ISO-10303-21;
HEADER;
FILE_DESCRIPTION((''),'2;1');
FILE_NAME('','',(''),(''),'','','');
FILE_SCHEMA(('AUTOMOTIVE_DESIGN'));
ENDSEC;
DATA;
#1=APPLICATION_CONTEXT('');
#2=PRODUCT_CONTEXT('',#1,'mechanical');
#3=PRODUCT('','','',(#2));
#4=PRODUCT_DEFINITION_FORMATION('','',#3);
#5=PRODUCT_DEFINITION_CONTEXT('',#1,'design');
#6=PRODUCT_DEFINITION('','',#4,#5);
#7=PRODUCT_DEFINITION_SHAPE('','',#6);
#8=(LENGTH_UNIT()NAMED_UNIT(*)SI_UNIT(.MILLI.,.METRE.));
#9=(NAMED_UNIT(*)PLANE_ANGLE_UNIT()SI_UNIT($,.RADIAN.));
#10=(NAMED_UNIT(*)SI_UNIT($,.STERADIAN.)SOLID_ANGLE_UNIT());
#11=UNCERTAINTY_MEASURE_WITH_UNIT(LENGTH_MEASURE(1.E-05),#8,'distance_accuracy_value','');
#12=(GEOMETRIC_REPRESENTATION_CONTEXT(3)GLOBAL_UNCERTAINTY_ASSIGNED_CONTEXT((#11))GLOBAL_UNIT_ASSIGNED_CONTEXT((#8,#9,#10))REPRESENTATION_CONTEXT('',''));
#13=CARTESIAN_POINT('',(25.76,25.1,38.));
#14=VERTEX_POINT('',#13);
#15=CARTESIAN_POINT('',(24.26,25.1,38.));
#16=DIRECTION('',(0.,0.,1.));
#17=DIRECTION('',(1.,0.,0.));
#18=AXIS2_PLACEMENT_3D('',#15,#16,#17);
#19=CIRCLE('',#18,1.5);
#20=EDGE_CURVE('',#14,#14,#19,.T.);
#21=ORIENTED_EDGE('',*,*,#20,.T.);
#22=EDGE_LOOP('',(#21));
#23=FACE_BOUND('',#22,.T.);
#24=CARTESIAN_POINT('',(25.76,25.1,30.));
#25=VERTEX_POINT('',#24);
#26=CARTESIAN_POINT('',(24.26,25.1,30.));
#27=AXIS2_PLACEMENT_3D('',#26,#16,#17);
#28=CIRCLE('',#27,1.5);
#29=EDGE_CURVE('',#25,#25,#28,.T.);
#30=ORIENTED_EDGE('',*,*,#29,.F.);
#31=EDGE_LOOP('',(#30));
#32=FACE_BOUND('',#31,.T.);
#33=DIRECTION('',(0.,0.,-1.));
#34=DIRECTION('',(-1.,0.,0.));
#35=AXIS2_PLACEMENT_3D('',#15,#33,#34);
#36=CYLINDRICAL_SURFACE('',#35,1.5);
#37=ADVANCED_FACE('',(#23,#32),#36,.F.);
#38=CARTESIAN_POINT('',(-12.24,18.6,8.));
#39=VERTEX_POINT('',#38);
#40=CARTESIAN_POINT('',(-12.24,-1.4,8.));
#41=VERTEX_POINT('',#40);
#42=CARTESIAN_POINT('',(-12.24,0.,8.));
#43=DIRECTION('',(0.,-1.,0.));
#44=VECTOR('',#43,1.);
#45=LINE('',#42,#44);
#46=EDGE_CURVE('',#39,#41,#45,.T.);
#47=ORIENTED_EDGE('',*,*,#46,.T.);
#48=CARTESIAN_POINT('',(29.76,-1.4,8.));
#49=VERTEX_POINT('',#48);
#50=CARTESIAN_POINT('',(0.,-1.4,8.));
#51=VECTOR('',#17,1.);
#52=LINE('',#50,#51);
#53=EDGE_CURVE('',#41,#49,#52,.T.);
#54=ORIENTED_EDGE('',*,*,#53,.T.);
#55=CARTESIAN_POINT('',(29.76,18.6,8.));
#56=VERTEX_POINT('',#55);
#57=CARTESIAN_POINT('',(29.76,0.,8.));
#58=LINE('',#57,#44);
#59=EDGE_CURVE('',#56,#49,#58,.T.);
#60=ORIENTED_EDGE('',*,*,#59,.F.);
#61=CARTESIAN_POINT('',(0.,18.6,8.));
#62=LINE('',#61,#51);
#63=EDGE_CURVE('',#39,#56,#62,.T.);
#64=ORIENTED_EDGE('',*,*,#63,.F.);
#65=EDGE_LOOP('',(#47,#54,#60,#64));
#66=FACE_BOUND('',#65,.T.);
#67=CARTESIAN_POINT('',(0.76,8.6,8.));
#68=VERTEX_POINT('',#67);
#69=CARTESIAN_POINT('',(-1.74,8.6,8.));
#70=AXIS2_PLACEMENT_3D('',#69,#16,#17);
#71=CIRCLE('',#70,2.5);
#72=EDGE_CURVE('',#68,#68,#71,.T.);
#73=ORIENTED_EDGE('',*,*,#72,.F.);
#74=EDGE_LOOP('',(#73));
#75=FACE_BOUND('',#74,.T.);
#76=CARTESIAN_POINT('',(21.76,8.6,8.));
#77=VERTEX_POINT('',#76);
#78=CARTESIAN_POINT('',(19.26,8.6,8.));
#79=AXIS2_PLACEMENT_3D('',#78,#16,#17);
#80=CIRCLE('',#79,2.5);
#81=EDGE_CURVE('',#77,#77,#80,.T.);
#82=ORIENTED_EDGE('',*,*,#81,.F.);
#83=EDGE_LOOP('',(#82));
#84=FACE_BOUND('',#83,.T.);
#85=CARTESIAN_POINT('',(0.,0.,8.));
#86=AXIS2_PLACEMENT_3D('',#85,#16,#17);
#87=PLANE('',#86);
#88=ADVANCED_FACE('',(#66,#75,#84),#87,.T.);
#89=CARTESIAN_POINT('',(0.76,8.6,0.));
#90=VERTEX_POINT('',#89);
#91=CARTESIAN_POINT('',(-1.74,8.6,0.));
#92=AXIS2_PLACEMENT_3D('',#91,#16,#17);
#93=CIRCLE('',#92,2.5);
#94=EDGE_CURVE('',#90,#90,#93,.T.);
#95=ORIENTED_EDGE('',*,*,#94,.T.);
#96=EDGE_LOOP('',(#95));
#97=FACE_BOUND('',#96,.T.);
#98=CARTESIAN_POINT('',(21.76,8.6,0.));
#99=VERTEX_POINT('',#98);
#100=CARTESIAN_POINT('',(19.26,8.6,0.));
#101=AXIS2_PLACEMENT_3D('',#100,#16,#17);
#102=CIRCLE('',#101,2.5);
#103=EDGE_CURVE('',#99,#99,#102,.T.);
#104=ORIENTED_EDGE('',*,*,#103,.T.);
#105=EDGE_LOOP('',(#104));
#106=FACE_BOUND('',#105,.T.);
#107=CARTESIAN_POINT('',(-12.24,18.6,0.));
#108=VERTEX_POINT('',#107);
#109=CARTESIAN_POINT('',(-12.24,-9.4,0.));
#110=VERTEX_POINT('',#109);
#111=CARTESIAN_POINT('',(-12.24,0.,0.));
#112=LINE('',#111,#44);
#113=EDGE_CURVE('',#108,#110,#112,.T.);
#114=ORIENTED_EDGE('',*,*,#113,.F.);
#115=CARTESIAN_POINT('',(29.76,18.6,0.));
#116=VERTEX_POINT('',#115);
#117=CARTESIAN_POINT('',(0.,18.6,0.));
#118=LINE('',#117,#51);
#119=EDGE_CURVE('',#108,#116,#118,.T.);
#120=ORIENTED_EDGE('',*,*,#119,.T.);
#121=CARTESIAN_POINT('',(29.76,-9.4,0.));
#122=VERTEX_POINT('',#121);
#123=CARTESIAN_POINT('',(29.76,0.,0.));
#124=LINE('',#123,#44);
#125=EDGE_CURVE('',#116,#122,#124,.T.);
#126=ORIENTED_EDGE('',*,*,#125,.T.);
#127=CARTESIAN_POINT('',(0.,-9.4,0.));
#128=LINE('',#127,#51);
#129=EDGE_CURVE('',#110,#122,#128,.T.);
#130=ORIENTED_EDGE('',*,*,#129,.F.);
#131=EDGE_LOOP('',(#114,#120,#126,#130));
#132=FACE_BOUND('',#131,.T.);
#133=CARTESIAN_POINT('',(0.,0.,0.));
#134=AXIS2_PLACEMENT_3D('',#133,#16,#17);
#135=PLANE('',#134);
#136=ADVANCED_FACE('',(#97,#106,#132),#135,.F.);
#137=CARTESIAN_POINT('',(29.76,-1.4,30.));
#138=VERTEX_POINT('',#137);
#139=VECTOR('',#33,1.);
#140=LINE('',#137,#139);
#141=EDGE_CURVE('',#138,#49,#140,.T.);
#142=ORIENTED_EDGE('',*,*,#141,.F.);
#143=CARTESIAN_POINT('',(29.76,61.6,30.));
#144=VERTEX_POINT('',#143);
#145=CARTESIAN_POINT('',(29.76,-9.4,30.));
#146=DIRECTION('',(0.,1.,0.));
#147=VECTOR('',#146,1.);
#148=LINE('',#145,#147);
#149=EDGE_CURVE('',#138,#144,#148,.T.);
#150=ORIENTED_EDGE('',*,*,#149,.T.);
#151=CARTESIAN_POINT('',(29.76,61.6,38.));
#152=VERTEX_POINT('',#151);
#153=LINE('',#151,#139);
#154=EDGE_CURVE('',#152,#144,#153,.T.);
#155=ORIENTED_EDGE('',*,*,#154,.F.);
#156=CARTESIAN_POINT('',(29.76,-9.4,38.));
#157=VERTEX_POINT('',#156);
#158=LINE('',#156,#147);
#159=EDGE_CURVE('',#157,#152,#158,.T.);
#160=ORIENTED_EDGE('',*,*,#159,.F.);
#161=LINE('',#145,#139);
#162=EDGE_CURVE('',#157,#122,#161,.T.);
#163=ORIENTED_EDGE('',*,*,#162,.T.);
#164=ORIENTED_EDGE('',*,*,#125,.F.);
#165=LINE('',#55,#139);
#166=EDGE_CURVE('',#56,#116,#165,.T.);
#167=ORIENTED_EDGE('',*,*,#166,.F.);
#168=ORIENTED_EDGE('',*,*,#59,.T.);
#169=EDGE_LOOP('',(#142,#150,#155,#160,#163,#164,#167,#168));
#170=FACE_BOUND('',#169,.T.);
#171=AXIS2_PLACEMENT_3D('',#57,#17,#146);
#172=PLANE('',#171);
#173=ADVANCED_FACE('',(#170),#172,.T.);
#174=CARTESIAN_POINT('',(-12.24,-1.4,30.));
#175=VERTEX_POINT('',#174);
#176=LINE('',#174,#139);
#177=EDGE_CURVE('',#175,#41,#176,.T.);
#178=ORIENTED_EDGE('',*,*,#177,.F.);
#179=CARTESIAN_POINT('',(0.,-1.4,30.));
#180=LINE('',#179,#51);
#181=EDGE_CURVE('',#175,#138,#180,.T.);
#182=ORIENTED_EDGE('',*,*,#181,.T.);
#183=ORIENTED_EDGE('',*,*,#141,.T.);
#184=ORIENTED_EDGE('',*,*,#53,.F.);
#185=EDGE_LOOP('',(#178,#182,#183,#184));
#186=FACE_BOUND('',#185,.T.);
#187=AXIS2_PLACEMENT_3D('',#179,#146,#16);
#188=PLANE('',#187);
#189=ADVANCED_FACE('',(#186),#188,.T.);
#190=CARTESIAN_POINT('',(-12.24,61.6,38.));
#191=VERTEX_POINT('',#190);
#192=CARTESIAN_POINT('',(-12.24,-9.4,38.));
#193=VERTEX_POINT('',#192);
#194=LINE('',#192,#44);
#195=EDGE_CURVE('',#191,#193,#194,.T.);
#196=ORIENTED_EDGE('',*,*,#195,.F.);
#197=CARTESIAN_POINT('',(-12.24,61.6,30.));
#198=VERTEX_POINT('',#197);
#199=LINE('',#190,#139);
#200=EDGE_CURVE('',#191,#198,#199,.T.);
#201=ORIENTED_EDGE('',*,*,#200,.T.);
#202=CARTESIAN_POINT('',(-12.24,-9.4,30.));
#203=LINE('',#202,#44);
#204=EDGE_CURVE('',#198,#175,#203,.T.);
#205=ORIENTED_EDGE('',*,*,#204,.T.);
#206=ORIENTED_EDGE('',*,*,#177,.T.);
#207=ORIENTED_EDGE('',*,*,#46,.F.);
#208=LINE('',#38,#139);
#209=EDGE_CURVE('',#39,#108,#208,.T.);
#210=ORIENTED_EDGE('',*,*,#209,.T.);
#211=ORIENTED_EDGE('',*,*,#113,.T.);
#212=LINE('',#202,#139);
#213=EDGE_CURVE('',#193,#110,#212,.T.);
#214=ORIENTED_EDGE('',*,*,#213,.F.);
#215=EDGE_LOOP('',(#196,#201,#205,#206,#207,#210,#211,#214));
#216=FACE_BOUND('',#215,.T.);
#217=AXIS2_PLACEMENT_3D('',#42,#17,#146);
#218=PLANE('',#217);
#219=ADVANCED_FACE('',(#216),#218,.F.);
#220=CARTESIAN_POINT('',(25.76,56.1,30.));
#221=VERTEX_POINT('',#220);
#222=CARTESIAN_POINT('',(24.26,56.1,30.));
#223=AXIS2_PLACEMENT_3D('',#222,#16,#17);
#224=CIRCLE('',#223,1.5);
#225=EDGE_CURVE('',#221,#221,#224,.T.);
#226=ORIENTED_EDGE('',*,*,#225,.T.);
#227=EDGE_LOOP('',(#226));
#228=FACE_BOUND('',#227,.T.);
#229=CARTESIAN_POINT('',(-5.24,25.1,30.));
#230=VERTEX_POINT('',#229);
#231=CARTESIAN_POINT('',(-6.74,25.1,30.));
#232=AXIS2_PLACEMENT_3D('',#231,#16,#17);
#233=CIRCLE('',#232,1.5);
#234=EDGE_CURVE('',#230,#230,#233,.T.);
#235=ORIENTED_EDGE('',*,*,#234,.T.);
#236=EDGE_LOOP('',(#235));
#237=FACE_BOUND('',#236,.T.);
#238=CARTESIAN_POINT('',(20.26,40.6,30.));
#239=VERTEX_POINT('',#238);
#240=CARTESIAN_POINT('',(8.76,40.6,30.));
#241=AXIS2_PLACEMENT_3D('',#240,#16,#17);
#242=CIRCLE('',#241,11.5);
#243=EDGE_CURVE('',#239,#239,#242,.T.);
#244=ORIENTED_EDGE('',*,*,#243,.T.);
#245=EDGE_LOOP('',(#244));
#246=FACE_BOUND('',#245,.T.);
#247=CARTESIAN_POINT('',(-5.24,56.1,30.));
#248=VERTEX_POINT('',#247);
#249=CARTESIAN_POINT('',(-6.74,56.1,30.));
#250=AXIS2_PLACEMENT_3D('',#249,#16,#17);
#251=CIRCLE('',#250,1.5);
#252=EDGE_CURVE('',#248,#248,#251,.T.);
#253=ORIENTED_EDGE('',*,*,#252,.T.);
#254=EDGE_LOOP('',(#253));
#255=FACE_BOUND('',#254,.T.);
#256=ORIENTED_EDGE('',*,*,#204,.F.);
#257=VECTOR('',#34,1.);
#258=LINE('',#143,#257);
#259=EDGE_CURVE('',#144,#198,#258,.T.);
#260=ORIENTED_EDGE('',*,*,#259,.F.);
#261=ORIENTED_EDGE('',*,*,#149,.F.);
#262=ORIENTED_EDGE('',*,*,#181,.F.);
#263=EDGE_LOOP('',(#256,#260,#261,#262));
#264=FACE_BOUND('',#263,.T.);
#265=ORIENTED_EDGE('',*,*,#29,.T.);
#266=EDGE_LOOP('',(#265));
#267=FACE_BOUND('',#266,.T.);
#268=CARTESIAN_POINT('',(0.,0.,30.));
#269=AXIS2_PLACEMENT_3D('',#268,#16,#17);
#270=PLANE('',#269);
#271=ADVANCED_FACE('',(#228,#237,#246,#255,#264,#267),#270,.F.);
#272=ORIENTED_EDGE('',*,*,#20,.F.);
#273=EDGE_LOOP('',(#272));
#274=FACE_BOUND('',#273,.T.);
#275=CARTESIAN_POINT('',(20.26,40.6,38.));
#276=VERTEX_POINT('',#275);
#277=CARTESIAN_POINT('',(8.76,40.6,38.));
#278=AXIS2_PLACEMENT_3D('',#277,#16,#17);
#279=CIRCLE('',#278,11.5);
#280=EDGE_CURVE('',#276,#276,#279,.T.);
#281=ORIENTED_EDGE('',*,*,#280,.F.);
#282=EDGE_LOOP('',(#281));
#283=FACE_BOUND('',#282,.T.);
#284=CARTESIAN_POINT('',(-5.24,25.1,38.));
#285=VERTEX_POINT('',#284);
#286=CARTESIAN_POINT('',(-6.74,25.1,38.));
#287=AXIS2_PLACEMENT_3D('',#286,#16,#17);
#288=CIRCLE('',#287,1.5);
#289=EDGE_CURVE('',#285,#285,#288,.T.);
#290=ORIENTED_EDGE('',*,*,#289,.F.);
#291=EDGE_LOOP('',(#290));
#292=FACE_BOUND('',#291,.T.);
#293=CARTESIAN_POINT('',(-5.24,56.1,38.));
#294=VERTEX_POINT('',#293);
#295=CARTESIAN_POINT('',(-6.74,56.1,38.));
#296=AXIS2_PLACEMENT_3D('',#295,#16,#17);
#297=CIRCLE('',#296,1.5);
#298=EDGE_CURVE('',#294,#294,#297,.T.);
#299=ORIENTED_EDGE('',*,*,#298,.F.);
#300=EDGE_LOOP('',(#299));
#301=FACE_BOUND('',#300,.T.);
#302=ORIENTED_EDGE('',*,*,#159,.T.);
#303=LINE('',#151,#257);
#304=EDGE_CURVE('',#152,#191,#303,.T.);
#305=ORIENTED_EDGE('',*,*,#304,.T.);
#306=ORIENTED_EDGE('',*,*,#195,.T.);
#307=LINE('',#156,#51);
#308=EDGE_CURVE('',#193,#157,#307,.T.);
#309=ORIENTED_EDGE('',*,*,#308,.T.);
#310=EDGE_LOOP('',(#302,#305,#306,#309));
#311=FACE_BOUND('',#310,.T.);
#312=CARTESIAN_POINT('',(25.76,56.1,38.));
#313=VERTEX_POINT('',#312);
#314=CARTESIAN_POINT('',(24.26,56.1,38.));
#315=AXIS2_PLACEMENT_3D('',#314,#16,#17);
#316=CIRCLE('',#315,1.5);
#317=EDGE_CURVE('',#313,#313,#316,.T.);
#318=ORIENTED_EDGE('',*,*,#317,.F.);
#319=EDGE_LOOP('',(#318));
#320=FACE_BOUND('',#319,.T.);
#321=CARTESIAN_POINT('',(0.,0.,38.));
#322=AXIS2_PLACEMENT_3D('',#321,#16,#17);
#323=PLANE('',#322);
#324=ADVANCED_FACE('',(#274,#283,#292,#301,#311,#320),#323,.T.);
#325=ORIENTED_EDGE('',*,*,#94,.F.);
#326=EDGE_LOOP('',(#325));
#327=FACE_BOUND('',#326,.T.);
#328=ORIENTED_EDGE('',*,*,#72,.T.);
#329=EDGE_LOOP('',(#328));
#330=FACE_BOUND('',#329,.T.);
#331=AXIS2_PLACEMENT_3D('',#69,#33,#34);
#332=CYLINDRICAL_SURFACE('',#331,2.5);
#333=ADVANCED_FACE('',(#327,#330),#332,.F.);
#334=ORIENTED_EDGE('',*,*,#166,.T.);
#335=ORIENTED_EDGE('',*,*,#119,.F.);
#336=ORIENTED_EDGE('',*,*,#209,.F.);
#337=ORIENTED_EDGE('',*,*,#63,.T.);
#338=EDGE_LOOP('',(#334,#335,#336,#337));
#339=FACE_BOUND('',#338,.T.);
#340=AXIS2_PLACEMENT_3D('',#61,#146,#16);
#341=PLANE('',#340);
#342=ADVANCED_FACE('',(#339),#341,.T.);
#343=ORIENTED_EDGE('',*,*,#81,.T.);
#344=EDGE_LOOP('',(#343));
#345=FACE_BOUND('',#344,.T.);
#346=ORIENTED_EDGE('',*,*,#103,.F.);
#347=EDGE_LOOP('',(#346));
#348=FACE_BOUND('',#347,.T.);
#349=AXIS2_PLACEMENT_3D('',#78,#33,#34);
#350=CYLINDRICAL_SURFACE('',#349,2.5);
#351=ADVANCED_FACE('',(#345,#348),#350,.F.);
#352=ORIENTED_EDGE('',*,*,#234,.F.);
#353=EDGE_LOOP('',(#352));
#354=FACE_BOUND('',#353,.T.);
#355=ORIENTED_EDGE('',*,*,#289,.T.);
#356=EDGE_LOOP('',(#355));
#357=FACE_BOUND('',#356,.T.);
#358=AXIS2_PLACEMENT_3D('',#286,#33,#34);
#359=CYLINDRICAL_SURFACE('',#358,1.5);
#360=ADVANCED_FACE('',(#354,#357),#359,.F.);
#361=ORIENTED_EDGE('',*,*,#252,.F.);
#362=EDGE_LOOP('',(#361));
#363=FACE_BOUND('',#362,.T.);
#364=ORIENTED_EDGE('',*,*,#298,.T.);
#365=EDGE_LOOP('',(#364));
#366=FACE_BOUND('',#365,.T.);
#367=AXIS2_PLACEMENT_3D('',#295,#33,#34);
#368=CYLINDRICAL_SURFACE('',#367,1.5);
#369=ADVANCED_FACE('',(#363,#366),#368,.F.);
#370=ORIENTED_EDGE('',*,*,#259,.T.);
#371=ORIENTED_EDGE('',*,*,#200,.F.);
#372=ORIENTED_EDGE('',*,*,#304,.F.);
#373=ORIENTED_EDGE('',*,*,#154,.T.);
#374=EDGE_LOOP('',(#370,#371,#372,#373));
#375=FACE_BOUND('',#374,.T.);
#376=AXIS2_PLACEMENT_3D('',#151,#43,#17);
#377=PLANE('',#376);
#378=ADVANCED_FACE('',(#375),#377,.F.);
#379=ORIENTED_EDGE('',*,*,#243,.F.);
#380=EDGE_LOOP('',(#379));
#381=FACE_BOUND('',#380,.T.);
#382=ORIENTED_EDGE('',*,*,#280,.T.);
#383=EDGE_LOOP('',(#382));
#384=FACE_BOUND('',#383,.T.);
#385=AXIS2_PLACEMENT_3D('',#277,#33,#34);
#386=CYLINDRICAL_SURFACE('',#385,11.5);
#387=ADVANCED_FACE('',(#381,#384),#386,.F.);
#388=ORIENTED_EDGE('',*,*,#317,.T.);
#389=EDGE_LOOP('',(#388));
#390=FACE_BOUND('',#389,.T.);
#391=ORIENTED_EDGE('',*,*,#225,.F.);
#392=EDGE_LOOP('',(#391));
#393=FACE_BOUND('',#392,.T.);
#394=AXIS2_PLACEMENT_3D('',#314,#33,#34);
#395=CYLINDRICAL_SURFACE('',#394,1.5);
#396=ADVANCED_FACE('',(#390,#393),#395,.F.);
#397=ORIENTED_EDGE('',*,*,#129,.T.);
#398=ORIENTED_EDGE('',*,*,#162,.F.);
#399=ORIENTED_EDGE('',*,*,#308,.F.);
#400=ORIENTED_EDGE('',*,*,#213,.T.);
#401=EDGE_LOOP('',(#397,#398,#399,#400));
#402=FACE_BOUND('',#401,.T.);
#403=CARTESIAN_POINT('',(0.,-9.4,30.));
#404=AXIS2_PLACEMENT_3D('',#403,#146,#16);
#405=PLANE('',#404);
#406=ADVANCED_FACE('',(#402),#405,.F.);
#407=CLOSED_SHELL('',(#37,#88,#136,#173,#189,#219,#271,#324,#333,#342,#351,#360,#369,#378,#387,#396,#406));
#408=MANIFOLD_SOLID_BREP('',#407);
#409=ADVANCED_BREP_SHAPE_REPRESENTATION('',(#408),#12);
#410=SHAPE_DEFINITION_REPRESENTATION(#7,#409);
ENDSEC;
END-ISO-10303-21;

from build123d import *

# Parameters (mm, degrees)
SKETCH_1_W      = 42
SKETCH_1_H      = 20
SKETCH_1_R      = 2.5
EXTRUDE_1_DEPTH = 8
SKETCH_1_3_W    = 42
SKETCH_1_3_H    = 8
EXTRUDE_2_DEPTH = 30
SKETCH_2_W      = 42
SKETCH_2_H      = 71
SKETCH_2_R      = 1.5
SKETCH_2_R_2    = 11.5
EXTRUDE_3_DEPTH = 8


with BuildPart() as part:
    # 草图1 → 凸台-拉伸1 (new body)
    with BuildSketch(Plane.XY):
        with Locations((8.76, 8.6)):
            Rectangle(SKETCH_1_W, SKETCH_1_H)
        with Locations((-1.74, 8.6)):
            Circle(SKETCH_1_R, mode=Mode.SUBTRACT)
        with Locations((19.26, 8.6)):
            Circle(SKETCH_1_R, mode=Mode.SUBTRACT)
    extrude(amount=EXTRUDE_1_DEPTH)

    # 草图1<3> → 凸台-拉伸2 (add)
    with BuildSketch(Plane.XY):
        with Locations((8.76, -5.4)):
            Rectangle(SKETCH_1_3_W, SKETCH_1_3_H)
    extrude(amount=EXTRUDE_2_DEPTH)

    # 草图2 → 凸台-拉伸3 (add)
    with BuildSketch(Plane.XY.offset(30)):
        with Locations((8.76, 26.1)):
            Rectangle(SKETCH_2_W, SKETCH_2_H)
        with Locations((24.26, 56.1)):
            Circle(SKETCH_2_R, mode=Mode.SUBTRACT)
        with Locations((-6.74, 56.1)):
            Circle(SKETCH_2_R, mode=Mode.SUBTRACT)
        with Locations((-6.74, 25.1)):
            Circle(SKETCH_2_R, mode=Mode.SUBTRACT)
        with Locations((24.26, 25.1)):
            Circle(SKETCH_2_R, mode=Mode.SUBTRACT)
        with Locations((8.76, 40.6)):
            Circle(SKETCH_2_R_2, mode=Mode.SUBTRACT)
    extrude(amount=EXTRUDE_3_DEPTH)


solid = part.part
